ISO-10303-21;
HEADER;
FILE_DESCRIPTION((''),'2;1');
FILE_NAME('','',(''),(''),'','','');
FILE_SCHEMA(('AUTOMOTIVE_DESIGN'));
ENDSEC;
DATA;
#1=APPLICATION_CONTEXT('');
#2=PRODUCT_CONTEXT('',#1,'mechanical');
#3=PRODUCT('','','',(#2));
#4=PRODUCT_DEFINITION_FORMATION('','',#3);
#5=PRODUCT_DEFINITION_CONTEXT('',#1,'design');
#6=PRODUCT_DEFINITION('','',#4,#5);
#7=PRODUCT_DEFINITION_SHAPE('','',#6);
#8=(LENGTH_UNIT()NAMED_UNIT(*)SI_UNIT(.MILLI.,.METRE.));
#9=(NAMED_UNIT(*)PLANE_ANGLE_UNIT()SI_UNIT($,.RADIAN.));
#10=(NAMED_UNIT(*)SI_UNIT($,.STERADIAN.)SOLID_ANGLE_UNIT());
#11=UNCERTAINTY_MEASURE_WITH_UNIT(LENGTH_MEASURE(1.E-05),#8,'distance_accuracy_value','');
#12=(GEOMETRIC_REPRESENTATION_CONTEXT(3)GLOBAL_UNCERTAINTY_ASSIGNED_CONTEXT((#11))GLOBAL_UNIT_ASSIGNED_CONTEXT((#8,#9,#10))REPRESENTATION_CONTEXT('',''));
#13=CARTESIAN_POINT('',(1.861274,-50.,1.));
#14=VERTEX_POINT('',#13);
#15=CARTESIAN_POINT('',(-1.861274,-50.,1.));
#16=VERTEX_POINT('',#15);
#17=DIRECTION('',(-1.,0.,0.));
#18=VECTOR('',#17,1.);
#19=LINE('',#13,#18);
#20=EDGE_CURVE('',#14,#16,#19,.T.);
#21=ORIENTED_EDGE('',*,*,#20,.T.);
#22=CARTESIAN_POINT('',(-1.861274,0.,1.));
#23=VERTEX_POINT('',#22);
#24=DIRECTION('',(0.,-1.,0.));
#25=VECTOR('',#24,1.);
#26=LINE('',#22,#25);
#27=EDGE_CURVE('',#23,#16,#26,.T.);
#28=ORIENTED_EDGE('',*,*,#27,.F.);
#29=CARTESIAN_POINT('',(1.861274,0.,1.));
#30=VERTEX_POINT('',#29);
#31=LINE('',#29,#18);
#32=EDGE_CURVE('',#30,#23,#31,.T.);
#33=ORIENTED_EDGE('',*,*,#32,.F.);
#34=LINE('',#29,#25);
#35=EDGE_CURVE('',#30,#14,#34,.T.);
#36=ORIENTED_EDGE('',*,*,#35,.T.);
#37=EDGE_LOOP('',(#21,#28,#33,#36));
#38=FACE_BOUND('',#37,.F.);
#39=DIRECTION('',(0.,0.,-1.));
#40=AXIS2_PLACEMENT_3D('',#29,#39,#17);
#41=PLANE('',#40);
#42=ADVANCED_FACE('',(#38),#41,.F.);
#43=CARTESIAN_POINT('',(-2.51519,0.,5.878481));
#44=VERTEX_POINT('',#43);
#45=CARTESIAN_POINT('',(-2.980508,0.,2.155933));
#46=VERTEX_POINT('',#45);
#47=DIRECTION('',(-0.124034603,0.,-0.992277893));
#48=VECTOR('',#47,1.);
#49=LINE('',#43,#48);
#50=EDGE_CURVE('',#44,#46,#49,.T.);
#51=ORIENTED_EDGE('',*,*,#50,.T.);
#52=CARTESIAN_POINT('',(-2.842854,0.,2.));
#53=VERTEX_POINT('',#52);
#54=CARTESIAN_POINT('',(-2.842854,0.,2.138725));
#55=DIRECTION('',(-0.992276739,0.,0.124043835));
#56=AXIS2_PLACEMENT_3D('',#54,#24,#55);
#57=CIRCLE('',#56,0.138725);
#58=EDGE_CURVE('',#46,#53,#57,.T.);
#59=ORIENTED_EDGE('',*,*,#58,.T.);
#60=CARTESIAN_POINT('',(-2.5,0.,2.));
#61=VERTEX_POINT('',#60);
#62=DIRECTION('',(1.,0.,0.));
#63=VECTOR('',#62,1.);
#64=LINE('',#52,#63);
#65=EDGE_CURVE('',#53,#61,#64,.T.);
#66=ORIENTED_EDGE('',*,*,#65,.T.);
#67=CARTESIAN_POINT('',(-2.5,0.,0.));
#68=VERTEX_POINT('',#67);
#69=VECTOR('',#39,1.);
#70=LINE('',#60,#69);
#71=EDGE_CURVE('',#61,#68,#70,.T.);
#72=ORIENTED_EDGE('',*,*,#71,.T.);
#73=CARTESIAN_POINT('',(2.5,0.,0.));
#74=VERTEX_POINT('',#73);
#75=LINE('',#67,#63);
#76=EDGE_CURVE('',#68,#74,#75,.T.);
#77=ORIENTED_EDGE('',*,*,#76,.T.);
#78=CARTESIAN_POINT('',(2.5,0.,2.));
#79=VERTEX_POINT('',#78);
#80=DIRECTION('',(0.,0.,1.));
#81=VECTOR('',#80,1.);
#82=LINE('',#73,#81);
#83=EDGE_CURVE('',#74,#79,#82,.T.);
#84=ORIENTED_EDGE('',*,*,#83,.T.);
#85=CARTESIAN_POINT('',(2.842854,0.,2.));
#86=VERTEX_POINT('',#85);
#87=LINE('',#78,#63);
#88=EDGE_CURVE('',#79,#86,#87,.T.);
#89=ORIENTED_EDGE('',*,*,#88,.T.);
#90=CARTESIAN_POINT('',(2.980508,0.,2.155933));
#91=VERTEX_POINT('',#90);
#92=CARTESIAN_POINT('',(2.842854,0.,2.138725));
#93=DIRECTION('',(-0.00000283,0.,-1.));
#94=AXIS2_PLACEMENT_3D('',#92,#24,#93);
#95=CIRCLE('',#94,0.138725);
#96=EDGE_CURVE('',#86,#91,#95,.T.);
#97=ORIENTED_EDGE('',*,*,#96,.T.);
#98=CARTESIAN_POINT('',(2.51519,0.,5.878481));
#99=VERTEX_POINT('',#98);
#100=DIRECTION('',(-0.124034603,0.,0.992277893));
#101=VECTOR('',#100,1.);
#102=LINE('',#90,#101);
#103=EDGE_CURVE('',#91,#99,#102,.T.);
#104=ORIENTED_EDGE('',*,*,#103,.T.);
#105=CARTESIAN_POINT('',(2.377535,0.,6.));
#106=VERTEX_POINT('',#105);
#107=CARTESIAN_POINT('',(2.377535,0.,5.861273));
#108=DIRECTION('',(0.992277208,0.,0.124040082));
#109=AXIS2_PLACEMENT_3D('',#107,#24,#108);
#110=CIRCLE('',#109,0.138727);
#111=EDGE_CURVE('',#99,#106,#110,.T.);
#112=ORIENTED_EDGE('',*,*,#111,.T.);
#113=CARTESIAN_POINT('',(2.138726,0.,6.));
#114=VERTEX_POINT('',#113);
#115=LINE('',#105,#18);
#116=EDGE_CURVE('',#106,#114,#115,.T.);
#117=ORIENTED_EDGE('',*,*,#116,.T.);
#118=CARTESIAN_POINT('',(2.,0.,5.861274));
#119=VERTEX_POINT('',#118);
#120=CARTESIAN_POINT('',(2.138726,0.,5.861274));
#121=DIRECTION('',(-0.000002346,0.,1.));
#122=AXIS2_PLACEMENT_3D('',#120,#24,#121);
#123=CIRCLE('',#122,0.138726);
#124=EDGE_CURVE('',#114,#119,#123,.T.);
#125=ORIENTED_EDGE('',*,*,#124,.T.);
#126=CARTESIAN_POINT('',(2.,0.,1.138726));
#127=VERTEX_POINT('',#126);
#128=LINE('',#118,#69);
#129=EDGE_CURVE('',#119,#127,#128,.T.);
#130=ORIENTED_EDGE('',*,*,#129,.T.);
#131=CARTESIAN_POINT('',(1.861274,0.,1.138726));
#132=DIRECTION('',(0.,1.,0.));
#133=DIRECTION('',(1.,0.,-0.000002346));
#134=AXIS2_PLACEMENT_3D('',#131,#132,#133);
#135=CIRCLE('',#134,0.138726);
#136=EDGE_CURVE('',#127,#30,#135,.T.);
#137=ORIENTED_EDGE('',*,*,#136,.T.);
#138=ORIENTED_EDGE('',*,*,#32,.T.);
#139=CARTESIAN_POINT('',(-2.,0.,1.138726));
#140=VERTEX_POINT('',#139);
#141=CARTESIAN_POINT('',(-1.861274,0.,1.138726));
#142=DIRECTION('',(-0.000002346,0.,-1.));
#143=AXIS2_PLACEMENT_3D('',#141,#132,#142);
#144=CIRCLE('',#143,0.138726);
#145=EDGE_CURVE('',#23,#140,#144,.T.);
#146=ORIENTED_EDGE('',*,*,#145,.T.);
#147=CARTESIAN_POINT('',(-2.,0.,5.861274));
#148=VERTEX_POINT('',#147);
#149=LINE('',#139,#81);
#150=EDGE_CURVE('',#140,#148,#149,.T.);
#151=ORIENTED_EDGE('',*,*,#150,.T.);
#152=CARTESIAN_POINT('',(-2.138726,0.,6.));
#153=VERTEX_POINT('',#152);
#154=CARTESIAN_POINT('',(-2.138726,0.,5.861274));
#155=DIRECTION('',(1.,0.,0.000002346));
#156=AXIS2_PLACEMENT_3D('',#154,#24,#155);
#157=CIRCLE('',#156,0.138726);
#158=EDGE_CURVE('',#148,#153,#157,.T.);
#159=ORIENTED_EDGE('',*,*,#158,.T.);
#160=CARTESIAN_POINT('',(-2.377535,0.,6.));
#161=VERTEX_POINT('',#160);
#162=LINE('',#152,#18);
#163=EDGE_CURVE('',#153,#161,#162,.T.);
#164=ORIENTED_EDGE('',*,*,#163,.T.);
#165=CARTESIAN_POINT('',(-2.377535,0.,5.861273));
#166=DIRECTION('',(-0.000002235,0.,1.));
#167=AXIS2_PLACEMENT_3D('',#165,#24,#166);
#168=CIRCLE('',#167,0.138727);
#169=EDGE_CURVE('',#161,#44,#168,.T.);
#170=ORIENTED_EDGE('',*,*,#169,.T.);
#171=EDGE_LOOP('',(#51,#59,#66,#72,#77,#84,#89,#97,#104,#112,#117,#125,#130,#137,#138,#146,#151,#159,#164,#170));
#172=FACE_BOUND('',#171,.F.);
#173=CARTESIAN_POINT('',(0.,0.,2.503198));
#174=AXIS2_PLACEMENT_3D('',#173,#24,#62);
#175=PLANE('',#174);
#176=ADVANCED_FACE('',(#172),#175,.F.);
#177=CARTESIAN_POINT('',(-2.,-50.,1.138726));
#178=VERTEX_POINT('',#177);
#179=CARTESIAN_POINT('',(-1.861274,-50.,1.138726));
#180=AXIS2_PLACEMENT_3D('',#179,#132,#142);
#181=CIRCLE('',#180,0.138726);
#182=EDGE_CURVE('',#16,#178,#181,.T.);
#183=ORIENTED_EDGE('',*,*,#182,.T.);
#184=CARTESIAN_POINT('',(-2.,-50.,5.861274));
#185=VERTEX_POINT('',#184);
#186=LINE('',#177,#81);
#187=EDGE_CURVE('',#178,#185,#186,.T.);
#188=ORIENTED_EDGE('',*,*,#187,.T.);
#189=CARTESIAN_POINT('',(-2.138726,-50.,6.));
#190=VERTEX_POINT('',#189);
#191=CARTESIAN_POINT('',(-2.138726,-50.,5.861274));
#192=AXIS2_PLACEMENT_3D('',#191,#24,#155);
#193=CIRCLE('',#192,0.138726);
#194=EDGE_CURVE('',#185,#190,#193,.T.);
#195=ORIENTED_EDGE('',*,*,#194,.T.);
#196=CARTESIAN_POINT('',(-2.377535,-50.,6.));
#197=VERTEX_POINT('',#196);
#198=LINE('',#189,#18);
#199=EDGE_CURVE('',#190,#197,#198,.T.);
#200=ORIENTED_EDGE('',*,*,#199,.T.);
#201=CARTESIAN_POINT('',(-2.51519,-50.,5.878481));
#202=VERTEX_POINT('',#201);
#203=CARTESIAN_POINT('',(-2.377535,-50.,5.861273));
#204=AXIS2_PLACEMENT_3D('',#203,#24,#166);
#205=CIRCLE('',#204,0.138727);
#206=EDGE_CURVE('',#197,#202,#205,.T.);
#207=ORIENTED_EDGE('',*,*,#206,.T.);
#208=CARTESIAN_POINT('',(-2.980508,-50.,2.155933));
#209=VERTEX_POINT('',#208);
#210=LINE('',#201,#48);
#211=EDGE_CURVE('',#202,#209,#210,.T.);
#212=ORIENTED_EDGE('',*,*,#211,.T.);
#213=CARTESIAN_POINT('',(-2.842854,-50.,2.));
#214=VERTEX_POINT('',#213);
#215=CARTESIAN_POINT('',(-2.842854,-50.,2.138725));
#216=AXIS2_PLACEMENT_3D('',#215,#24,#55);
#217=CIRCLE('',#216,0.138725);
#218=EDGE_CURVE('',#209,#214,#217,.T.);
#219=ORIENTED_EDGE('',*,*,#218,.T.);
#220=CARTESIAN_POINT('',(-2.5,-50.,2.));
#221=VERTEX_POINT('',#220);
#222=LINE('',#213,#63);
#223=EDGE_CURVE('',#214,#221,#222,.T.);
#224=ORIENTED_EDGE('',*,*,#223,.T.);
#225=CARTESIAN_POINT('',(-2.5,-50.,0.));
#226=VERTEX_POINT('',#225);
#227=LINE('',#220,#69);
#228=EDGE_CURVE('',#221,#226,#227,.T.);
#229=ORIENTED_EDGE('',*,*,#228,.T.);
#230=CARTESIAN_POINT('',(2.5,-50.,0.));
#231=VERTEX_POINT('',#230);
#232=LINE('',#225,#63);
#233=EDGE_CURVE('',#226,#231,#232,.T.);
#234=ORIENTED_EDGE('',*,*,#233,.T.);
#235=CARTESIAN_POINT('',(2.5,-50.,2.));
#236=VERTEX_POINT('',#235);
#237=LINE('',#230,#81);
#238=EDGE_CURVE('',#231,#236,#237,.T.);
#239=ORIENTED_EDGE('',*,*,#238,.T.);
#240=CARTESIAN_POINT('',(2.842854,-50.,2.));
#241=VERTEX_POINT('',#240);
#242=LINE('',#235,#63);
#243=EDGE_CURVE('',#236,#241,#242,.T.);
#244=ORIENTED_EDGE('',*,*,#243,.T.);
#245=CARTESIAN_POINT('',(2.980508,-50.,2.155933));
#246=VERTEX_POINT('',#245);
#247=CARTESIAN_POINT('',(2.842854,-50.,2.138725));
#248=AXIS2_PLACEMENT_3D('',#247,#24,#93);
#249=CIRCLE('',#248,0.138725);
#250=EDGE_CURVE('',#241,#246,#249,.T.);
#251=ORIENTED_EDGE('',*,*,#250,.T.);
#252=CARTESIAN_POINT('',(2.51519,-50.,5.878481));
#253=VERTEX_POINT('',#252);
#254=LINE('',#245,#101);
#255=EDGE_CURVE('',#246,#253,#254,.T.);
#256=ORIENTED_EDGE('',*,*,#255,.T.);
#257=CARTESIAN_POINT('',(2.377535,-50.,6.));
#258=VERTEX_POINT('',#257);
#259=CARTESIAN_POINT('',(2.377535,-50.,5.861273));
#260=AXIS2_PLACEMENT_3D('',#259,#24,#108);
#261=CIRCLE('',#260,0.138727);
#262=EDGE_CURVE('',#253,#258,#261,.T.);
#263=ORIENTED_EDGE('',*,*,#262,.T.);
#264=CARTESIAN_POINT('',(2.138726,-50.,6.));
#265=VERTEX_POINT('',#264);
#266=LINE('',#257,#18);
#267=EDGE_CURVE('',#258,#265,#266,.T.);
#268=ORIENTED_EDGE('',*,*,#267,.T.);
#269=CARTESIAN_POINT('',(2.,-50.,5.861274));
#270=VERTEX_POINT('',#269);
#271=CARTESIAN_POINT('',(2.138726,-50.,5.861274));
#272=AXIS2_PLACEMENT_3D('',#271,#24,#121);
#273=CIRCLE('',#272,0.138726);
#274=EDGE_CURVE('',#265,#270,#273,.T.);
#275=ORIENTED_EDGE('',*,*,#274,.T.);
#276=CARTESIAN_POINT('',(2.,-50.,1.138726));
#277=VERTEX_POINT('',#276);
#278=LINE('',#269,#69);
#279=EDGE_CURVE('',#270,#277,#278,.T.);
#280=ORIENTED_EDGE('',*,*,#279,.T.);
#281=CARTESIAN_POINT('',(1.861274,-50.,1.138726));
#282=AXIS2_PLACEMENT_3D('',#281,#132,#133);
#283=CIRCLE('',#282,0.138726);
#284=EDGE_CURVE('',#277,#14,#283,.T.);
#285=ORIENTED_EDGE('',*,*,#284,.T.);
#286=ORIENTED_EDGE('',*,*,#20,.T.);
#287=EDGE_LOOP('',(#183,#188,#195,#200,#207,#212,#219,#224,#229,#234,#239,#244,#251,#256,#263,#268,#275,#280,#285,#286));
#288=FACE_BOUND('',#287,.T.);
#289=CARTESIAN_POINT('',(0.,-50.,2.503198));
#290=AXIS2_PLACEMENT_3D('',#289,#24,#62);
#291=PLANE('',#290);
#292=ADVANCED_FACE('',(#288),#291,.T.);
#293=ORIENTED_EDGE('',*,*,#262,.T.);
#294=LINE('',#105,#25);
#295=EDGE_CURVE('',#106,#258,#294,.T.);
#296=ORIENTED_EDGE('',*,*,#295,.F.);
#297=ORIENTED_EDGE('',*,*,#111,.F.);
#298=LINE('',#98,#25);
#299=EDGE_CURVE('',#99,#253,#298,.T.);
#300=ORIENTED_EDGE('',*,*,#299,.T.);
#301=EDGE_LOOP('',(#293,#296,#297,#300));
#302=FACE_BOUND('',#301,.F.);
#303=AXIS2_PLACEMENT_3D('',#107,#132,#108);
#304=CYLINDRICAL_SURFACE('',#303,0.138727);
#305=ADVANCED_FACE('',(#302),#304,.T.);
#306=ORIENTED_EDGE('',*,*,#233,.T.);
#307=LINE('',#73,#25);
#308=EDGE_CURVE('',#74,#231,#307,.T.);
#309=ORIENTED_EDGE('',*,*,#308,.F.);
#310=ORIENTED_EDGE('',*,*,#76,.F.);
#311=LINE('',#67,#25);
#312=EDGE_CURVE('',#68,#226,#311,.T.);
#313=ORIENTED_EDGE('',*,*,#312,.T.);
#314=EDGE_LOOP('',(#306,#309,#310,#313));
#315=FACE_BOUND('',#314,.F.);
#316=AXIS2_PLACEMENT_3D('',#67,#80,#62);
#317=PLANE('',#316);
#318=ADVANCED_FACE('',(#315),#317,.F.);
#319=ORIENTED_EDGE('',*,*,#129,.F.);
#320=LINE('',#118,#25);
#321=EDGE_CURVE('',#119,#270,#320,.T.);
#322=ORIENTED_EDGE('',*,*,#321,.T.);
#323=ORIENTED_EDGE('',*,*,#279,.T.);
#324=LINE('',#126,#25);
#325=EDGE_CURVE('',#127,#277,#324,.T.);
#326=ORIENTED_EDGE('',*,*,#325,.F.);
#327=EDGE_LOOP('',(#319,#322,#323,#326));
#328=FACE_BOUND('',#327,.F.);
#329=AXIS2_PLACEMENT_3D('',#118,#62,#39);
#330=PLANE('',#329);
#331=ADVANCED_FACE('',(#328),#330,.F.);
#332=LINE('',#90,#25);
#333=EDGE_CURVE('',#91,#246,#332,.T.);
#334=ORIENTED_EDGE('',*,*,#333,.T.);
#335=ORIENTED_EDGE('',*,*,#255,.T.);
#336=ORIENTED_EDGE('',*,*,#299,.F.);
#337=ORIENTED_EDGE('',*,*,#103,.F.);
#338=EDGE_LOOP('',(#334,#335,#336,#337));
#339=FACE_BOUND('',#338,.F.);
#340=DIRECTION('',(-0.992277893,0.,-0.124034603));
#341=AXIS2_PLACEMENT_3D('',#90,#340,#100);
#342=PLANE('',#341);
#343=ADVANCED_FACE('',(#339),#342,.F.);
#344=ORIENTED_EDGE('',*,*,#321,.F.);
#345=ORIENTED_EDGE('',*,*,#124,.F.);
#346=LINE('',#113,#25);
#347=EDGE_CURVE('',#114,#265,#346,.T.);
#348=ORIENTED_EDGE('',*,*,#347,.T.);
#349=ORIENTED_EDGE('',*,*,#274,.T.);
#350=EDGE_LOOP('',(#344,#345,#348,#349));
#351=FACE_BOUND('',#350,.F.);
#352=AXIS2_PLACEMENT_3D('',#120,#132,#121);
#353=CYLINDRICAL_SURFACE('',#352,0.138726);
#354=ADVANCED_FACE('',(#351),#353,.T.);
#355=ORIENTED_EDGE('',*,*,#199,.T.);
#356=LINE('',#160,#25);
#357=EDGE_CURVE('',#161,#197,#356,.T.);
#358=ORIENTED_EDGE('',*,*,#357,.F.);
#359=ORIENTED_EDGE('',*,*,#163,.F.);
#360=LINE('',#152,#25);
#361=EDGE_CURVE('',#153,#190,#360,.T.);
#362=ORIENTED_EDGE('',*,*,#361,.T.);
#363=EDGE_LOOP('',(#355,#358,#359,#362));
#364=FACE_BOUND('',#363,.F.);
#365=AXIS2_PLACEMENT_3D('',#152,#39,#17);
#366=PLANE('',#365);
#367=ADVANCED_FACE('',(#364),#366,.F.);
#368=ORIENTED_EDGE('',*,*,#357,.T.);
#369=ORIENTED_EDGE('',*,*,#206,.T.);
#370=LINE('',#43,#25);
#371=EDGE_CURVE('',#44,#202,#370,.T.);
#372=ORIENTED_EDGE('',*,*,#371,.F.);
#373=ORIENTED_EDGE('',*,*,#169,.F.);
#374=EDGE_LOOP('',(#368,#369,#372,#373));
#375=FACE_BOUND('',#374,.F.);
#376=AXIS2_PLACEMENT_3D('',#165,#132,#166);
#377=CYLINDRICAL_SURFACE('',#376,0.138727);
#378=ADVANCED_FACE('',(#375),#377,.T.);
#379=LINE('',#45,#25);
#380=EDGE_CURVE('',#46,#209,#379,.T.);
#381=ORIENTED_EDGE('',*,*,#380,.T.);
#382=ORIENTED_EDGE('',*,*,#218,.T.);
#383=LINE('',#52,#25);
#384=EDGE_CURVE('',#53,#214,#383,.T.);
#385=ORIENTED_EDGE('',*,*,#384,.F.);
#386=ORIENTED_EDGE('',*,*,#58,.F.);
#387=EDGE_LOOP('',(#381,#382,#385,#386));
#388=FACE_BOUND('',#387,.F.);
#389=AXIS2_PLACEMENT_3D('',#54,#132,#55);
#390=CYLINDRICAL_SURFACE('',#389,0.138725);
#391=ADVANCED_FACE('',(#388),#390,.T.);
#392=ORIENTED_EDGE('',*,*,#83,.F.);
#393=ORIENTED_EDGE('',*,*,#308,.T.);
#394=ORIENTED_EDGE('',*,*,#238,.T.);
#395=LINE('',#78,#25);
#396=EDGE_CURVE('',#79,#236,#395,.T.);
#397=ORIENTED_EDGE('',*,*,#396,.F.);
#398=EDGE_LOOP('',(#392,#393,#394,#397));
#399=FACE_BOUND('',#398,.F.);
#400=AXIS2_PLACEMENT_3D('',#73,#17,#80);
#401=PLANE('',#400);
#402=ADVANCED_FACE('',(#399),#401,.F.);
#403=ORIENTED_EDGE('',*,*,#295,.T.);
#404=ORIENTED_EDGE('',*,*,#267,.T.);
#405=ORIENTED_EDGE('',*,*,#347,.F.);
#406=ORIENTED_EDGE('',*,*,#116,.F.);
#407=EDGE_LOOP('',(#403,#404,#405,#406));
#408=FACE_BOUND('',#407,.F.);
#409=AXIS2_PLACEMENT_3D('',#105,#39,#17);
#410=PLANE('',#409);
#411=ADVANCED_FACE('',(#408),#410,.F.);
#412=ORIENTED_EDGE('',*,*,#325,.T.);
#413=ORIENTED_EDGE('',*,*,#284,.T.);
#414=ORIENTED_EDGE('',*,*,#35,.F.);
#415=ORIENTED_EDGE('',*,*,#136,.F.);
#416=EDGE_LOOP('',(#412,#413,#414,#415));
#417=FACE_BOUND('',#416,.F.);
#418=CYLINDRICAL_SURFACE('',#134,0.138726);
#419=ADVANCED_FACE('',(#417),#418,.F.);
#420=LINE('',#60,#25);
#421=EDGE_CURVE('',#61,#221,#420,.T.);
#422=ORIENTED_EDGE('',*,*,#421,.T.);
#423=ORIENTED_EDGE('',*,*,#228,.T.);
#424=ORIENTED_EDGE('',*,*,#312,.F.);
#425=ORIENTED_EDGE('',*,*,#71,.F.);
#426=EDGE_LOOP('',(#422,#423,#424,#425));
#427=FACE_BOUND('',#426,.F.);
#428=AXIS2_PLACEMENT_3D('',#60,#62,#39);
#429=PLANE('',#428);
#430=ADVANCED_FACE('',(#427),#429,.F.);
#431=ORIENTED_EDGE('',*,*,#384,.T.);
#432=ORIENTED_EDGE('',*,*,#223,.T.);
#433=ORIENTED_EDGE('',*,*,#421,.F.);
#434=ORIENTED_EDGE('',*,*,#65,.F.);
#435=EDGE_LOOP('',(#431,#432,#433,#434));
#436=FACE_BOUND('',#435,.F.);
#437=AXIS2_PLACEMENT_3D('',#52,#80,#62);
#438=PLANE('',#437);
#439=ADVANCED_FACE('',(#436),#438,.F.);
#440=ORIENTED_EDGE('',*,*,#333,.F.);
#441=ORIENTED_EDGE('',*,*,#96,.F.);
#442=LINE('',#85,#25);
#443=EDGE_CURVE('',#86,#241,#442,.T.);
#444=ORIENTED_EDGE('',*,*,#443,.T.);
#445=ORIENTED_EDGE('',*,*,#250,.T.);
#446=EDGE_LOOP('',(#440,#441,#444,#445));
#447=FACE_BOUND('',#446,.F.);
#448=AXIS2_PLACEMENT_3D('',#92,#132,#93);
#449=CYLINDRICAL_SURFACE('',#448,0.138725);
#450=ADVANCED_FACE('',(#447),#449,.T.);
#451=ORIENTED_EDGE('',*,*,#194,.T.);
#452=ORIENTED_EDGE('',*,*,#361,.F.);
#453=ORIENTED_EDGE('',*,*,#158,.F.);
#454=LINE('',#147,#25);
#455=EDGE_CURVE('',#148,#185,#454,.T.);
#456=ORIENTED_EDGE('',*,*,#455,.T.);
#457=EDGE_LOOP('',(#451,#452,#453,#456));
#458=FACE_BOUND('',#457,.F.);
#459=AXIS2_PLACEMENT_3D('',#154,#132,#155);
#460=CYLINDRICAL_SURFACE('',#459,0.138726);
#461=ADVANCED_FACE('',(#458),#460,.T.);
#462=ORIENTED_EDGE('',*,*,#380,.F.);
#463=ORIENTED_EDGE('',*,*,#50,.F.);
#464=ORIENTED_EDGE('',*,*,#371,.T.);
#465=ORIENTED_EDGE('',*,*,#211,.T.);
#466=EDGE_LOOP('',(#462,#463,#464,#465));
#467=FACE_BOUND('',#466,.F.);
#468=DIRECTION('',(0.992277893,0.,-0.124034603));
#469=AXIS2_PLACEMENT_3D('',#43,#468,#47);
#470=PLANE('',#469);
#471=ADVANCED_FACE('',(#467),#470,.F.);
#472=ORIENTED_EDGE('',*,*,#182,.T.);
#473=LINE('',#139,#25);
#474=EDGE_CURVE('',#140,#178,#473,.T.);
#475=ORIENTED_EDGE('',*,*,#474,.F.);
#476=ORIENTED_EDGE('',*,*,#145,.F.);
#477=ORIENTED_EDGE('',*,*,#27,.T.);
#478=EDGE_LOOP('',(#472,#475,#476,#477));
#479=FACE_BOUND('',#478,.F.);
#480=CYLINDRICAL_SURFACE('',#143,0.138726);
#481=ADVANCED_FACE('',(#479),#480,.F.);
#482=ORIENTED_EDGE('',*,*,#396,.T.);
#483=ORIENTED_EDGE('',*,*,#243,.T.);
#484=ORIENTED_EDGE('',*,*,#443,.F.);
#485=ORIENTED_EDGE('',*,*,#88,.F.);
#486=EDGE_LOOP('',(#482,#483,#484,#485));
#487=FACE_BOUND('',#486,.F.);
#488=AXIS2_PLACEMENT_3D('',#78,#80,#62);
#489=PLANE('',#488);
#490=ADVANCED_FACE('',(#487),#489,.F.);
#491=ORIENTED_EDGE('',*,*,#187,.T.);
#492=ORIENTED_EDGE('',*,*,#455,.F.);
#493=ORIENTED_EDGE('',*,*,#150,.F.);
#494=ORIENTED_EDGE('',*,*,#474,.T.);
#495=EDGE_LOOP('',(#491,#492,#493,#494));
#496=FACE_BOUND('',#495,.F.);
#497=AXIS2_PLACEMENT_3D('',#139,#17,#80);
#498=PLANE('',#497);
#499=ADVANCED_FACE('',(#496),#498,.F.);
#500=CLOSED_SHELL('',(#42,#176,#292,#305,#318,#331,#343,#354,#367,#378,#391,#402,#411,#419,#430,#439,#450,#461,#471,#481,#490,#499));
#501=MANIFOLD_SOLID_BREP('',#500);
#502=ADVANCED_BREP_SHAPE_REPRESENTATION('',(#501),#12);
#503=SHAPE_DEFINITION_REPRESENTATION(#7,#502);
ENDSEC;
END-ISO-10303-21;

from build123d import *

# Parameters (mm, degrees)
F1_DEPTH = 50


with BuildPart() as f1:
    # F0 (on Front) → F1 (new body)
    with BuildSketch(Plane.XZ):
        with BuildLine():
            Line((-2.5, 0), (0, 0))
            Line((0, 0), (2.5, 0))
            Line((2.5, 0), (2.5, 2))
            Line((2.5, 2), (2.842854, 2))
            ThreePointArc((2.842854, 2), (2.946854, 2.046917), (2.980508, 2.155933))
            Line((2.980508, 2.155933), (2.51519, 5.878481))
            ThreePointArc((2.51519, 5.878481), (2.469344, 5.965274), (2.377535, 6))
            Line((2.377535, 6), (2.138726, 6))
            ThreePointArc((2.138726, 6), (2.040632, 5.959368), (2, 5.861274))
            Line((2, 5.861274), (2, 1.138726))
            ThreePointArc((2, 1.138726), (1.959368, 1.040632), (1.861274, 1))
            Line((1.861274, 1), (0, 1))
            Line((0, 1), (-1.861274, 1))
            ThreePointArc((-1.861274, 1), (-1.959368, 1.040632), (-2, 1.138726))
            Line((-2, 1.138726), (-2, 5.861274))
            ThreePointArc((-2, 5.861274), (-2.040632, 5.959368), (-2.138726, 6))
            Line((-2.138726, 6), (-2.377535, 6))
            ThreePointArc((-2.377535, 6), (-2.469344, 5.965274), (-2.51519, 5.878481))
            Line((-2.51519, 5.878481), (-2.980508, 2.155933))
            ThreePointArc((-2.980508, 2.155933), (-2.946854, 2.046917), (-2.842854, 2))
            Line((-2.842854, 2), (-2.5, 2))
            Line((-2.5, 2), (-2.5, 0))
        make_face()
    extrude(amount=F1_DEPTH)


solid = f1.part
